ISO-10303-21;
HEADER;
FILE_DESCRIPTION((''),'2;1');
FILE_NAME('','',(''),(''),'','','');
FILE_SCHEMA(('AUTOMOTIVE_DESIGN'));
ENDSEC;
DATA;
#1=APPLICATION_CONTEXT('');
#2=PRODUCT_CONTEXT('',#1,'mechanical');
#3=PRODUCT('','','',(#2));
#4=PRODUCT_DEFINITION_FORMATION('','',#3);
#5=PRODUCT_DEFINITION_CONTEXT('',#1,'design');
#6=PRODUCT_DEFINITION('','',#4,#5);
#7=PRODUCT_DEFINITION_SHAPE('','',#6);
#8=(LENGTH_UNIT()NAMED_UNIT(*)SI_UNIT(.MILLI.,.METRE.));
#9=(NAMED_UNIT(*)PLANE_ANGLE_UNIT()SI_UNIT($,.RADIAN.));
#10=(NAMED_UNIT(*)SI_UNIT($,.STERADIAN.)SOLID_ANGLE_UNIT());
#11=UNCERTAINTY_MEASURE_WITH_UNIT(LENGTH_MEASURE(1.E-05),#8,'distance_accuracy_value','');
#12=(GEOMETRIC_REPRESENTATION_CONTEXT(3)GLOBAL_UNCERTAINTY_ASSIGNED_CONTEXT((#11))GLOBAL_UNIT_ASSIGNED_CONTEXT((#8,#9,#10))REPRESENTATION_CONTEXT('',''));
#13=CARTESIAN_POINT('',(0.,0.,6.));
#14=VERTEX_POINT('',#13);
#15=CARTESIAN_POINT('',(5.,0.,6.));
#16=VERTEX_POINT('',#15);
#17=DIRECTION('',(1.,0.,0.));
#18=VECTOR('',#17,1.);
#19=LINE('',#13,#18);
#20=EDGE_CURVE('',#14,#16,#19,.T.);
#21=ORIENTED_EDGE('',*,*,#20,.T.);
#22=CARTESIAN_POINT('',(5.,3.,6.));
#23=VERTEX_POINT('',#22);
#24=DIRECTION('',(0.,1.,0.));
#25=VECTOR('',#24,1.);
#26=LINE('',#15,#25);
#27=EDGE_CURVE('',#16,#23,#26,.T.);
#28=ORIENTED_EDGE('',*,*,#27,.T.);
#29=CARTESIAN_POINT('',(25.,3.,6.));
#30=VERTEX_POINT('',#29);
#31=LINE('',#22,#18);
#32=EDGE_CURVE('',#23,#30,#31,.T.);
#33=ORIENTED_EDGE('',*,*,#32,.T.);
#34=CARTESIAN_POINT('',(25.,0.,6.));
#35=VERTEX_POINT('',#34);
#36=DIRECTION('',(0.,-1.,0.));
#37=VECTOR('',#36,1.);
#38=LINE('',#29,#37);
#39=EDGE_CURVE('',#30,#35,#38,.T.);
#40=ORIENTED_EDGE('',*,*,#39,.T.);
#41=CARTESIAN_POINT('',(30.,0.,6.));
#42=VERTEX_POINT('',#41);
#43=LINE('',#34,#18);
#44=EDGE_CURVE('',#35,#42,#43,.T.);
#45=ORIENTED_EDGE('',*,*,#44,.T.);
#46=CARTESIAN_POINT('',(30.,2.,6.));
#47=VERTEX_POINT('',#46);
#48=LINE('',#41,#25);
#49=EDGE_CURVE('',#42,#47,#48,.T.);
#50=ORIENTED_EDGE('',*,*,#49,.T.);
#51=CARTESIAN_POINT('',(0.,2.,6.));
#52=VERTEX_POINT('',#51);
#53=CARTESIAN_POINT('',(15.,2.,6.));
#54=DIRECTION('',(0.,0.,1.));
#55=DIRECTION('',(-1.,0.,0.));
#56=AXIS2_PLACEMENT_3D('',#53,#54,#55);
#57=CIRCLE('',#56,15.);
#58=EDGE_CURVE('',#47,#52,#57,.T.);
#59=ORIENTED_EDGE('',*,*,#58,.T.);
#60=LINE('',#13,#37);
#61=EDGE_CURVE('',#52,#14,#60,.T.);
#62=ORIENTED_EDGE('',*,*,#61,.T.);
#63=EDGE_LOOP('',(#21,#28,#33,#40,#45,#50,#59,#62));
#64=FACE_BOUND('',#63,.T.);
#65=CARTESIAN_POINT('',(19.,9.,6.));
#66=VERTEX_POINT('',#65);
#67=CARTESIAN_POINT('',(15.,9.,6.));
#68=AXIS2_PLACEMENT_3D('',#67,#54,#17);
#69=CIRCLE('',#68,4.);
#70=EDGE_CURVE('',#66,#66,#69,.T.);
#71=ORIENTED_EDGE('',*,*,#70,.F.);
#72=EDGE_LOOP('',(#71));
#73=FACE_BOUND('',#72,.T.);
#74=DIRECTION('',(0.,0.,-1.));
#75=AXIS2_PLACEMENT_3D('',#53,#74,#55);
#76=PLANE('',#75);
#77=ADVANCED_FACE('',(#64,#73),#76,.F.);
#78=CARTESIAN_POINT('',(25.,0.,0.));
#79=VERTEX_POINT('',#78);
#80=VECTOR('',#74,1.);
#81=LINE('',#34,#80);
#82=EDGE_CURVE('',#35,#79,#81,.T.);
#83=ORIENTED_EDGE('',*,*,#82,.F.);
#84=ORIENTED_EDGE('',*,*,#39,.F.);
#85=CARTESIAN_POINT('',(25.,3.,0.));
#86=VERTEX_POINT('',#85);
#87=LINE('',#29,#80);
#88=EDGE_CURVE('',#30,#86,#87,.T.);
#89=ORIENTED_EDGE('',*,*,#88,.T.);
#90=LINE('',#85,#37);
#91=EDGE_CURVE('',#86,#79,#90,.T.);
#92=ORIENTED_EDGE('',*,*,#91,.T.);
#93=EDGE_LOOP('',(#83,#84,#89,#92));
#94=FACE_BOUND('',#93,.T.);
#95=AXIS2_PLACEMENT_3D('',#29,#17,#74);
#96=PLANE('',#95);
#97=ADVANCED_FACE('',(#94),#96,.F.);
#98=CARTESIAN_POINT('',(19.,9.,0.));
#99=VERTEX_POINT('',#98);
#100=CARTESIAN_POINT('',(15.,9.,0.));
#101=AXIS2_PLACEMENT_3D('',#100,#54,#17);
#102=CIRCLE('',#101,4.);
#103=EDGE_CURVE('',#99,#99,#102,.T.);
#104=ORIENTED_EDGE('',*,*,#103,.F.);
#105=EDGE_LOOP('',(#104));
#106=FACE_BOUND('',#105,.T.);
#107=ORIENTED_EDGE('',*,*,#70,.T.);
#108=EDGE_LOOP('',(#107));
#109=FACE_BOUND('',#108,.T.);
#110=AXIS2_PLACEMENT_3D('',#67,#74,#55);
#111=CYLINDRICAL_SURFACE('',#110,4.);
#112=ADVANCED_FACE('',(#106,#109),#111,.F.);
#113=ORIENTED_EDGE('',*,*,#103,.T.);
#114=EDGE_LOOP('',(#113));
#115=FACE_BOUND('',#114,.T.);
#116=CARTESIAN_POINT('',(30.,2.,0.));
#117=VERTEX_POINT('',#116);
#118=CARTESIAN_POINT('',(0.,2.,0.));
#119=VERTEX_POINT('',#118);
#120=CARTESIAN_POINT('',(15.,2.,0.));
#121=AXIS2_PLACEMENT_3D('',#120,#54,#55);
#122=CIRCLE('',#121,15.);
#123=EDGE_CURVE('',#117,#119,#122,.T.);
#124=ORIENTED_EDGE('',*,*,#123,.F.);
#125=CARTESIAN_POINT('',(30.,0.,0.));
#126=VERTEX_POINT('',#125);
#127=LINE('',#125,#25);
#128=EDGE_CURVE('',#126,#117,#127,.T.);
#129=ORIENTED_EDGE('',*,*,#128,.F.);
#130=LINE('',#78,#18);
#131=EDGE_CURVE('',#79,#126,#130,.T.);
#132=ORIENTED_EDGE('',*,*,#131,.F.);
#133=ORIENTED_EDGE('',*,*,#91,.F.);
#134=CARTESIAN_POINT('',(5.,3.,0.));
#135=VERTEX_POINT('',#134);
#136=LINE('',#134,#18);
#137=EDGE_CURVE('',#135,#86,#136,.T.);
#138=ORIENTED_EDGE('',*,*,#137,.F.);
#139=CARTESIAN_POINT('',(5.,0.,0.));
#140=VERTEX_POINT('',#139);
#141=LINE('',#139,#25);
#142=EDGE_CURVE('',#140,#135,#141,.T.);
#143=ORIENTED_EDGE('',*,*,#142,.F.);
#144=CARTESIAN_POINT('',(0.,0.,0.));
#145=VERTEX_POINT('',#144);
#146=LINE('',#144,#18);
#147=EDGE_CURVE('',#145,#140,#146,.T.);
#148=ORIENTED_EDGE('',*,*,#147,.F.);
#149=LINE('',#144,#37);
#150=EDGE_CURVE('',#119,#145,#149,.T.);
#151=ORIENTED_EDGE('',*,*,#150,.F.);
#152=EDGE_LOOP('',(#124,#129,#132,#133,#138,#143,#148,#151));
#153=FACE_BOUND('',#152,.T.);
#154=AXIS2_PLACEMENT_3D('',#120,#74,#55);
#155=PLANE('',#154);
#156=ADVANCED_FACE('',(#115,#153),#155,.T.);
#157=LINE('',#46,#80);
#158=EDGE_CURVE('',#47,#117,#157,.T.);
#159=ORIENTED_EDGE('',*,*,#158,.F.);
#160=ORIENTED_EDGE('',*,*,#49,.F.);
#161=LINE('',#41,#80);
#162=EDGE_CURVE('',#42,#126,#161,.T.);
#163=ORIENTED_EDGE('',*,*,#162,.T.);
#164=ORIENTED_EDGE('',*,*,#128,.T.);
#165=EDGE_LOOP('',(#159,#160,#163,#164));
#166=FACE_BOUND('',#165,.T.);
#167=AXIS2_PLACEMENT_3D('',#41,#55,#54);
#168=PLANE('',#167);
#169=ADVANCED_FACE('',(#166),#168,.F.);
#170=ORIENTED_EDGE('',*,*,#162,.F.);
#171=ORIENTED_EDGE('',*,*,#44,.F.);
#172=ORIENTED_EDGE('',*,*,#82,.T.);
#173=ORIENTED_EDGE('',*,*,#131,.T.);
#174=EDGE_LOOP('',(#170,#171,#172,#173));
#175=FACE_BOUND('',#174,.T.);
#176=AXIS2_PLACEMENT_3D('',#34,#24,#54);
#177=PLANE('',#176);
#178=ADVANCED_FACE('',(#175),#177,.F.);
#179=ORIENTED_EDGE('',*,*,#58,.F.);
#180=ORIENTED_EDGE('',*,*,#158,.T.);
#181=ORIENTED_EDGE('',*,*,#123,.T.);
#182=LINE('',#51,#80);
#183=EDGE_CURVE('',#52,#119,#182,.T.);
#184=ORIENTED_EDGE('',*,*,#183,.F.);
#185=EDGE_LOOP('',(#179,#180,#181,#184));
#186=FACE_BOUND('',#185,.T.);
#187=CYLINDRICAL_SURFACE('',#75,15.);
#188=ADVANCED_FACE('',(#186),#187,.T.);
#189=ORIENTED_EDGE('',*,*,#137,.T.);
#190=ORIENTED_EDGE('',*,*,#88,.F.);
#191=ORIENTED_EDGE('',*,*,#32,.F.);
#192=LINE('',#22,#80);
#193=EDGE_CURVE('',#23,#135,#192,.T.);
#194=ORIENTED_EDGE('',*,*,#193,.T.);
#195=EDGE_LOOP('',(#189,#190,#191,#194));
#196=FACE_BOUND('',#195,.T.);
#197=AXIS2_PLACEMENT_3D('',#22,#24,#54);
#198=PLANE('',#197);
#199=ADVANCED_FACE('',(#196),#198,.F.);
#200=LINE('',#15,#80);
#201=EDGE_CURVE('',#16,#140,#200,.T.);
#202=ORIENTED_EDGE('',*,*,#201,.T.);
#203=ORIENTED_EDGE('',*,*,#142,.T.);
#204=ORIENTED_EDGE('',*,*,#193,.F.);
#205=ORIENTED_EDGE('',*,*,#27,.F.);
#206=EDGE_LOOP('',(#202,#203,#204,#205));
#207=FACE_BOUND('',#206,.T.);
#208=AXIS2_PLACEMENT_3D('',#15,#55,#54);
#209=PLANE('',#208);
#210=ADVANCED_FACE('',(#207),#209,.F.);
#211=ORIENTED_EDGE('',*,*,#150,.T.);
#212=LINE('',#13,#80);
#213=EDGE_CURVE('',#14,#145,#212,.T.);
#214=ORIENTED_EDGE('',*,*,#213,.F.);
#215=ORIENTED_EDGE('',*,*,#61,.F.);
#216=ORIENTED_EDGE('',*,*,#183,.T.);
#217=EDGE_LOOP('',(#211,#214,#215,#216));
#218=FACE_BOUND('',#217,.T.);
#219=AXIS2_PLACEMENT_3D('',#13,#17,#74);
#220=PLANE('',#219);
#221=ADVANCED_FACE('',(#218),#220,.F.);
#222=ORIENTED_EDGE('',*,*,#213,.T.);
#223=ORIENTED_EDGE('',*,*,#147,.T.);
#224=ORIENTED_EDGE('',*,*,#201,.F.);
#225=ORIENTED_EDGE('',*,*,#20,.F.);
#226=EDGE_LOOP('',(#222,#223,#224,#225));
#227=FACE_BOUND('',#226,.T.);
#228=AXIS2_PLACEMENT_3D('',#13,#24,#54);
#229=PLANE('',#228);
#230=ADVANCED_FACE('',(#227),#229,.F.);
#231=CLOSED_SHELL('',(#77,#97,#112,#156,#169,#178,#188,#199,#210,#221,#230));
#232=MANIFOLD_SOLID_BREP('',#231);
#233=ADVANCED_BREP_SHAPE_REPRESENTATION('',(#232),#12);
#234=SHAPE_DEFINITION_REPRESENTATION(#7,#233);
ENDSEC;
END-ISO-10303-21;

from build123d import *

# Parameters (mm, degrees)
SKETCH1_R           = 4
BOSS_EXTRUDE1_DEPTH = 6


with BuildPart() as part:
    # Sketch1 → Boss-Extrude1 (new body)
    with BuildSketch(Plane.XY):
        with BuildLine():
            Line((0, 0), (5, 0))
            Line((5, 0), (5, 3))
            Line((5, 3), (25, 3))
            Line((25, 3), (25, 0))
            Line((25, 0), (30, 0))
            Line((30, 0), (30, 2))
            ThreePointArc((30, 2), (15, 17), (0, 2))
            Line((0, 2), (0, 0))
        make_face()
        with Locations((15, 9)):
            Circle(SKETCH1_R, mode=Mode.SUBTRACT)
    extrude(amount=BOSS_EXTRUDE1_DEPTH)


solid = part.part
